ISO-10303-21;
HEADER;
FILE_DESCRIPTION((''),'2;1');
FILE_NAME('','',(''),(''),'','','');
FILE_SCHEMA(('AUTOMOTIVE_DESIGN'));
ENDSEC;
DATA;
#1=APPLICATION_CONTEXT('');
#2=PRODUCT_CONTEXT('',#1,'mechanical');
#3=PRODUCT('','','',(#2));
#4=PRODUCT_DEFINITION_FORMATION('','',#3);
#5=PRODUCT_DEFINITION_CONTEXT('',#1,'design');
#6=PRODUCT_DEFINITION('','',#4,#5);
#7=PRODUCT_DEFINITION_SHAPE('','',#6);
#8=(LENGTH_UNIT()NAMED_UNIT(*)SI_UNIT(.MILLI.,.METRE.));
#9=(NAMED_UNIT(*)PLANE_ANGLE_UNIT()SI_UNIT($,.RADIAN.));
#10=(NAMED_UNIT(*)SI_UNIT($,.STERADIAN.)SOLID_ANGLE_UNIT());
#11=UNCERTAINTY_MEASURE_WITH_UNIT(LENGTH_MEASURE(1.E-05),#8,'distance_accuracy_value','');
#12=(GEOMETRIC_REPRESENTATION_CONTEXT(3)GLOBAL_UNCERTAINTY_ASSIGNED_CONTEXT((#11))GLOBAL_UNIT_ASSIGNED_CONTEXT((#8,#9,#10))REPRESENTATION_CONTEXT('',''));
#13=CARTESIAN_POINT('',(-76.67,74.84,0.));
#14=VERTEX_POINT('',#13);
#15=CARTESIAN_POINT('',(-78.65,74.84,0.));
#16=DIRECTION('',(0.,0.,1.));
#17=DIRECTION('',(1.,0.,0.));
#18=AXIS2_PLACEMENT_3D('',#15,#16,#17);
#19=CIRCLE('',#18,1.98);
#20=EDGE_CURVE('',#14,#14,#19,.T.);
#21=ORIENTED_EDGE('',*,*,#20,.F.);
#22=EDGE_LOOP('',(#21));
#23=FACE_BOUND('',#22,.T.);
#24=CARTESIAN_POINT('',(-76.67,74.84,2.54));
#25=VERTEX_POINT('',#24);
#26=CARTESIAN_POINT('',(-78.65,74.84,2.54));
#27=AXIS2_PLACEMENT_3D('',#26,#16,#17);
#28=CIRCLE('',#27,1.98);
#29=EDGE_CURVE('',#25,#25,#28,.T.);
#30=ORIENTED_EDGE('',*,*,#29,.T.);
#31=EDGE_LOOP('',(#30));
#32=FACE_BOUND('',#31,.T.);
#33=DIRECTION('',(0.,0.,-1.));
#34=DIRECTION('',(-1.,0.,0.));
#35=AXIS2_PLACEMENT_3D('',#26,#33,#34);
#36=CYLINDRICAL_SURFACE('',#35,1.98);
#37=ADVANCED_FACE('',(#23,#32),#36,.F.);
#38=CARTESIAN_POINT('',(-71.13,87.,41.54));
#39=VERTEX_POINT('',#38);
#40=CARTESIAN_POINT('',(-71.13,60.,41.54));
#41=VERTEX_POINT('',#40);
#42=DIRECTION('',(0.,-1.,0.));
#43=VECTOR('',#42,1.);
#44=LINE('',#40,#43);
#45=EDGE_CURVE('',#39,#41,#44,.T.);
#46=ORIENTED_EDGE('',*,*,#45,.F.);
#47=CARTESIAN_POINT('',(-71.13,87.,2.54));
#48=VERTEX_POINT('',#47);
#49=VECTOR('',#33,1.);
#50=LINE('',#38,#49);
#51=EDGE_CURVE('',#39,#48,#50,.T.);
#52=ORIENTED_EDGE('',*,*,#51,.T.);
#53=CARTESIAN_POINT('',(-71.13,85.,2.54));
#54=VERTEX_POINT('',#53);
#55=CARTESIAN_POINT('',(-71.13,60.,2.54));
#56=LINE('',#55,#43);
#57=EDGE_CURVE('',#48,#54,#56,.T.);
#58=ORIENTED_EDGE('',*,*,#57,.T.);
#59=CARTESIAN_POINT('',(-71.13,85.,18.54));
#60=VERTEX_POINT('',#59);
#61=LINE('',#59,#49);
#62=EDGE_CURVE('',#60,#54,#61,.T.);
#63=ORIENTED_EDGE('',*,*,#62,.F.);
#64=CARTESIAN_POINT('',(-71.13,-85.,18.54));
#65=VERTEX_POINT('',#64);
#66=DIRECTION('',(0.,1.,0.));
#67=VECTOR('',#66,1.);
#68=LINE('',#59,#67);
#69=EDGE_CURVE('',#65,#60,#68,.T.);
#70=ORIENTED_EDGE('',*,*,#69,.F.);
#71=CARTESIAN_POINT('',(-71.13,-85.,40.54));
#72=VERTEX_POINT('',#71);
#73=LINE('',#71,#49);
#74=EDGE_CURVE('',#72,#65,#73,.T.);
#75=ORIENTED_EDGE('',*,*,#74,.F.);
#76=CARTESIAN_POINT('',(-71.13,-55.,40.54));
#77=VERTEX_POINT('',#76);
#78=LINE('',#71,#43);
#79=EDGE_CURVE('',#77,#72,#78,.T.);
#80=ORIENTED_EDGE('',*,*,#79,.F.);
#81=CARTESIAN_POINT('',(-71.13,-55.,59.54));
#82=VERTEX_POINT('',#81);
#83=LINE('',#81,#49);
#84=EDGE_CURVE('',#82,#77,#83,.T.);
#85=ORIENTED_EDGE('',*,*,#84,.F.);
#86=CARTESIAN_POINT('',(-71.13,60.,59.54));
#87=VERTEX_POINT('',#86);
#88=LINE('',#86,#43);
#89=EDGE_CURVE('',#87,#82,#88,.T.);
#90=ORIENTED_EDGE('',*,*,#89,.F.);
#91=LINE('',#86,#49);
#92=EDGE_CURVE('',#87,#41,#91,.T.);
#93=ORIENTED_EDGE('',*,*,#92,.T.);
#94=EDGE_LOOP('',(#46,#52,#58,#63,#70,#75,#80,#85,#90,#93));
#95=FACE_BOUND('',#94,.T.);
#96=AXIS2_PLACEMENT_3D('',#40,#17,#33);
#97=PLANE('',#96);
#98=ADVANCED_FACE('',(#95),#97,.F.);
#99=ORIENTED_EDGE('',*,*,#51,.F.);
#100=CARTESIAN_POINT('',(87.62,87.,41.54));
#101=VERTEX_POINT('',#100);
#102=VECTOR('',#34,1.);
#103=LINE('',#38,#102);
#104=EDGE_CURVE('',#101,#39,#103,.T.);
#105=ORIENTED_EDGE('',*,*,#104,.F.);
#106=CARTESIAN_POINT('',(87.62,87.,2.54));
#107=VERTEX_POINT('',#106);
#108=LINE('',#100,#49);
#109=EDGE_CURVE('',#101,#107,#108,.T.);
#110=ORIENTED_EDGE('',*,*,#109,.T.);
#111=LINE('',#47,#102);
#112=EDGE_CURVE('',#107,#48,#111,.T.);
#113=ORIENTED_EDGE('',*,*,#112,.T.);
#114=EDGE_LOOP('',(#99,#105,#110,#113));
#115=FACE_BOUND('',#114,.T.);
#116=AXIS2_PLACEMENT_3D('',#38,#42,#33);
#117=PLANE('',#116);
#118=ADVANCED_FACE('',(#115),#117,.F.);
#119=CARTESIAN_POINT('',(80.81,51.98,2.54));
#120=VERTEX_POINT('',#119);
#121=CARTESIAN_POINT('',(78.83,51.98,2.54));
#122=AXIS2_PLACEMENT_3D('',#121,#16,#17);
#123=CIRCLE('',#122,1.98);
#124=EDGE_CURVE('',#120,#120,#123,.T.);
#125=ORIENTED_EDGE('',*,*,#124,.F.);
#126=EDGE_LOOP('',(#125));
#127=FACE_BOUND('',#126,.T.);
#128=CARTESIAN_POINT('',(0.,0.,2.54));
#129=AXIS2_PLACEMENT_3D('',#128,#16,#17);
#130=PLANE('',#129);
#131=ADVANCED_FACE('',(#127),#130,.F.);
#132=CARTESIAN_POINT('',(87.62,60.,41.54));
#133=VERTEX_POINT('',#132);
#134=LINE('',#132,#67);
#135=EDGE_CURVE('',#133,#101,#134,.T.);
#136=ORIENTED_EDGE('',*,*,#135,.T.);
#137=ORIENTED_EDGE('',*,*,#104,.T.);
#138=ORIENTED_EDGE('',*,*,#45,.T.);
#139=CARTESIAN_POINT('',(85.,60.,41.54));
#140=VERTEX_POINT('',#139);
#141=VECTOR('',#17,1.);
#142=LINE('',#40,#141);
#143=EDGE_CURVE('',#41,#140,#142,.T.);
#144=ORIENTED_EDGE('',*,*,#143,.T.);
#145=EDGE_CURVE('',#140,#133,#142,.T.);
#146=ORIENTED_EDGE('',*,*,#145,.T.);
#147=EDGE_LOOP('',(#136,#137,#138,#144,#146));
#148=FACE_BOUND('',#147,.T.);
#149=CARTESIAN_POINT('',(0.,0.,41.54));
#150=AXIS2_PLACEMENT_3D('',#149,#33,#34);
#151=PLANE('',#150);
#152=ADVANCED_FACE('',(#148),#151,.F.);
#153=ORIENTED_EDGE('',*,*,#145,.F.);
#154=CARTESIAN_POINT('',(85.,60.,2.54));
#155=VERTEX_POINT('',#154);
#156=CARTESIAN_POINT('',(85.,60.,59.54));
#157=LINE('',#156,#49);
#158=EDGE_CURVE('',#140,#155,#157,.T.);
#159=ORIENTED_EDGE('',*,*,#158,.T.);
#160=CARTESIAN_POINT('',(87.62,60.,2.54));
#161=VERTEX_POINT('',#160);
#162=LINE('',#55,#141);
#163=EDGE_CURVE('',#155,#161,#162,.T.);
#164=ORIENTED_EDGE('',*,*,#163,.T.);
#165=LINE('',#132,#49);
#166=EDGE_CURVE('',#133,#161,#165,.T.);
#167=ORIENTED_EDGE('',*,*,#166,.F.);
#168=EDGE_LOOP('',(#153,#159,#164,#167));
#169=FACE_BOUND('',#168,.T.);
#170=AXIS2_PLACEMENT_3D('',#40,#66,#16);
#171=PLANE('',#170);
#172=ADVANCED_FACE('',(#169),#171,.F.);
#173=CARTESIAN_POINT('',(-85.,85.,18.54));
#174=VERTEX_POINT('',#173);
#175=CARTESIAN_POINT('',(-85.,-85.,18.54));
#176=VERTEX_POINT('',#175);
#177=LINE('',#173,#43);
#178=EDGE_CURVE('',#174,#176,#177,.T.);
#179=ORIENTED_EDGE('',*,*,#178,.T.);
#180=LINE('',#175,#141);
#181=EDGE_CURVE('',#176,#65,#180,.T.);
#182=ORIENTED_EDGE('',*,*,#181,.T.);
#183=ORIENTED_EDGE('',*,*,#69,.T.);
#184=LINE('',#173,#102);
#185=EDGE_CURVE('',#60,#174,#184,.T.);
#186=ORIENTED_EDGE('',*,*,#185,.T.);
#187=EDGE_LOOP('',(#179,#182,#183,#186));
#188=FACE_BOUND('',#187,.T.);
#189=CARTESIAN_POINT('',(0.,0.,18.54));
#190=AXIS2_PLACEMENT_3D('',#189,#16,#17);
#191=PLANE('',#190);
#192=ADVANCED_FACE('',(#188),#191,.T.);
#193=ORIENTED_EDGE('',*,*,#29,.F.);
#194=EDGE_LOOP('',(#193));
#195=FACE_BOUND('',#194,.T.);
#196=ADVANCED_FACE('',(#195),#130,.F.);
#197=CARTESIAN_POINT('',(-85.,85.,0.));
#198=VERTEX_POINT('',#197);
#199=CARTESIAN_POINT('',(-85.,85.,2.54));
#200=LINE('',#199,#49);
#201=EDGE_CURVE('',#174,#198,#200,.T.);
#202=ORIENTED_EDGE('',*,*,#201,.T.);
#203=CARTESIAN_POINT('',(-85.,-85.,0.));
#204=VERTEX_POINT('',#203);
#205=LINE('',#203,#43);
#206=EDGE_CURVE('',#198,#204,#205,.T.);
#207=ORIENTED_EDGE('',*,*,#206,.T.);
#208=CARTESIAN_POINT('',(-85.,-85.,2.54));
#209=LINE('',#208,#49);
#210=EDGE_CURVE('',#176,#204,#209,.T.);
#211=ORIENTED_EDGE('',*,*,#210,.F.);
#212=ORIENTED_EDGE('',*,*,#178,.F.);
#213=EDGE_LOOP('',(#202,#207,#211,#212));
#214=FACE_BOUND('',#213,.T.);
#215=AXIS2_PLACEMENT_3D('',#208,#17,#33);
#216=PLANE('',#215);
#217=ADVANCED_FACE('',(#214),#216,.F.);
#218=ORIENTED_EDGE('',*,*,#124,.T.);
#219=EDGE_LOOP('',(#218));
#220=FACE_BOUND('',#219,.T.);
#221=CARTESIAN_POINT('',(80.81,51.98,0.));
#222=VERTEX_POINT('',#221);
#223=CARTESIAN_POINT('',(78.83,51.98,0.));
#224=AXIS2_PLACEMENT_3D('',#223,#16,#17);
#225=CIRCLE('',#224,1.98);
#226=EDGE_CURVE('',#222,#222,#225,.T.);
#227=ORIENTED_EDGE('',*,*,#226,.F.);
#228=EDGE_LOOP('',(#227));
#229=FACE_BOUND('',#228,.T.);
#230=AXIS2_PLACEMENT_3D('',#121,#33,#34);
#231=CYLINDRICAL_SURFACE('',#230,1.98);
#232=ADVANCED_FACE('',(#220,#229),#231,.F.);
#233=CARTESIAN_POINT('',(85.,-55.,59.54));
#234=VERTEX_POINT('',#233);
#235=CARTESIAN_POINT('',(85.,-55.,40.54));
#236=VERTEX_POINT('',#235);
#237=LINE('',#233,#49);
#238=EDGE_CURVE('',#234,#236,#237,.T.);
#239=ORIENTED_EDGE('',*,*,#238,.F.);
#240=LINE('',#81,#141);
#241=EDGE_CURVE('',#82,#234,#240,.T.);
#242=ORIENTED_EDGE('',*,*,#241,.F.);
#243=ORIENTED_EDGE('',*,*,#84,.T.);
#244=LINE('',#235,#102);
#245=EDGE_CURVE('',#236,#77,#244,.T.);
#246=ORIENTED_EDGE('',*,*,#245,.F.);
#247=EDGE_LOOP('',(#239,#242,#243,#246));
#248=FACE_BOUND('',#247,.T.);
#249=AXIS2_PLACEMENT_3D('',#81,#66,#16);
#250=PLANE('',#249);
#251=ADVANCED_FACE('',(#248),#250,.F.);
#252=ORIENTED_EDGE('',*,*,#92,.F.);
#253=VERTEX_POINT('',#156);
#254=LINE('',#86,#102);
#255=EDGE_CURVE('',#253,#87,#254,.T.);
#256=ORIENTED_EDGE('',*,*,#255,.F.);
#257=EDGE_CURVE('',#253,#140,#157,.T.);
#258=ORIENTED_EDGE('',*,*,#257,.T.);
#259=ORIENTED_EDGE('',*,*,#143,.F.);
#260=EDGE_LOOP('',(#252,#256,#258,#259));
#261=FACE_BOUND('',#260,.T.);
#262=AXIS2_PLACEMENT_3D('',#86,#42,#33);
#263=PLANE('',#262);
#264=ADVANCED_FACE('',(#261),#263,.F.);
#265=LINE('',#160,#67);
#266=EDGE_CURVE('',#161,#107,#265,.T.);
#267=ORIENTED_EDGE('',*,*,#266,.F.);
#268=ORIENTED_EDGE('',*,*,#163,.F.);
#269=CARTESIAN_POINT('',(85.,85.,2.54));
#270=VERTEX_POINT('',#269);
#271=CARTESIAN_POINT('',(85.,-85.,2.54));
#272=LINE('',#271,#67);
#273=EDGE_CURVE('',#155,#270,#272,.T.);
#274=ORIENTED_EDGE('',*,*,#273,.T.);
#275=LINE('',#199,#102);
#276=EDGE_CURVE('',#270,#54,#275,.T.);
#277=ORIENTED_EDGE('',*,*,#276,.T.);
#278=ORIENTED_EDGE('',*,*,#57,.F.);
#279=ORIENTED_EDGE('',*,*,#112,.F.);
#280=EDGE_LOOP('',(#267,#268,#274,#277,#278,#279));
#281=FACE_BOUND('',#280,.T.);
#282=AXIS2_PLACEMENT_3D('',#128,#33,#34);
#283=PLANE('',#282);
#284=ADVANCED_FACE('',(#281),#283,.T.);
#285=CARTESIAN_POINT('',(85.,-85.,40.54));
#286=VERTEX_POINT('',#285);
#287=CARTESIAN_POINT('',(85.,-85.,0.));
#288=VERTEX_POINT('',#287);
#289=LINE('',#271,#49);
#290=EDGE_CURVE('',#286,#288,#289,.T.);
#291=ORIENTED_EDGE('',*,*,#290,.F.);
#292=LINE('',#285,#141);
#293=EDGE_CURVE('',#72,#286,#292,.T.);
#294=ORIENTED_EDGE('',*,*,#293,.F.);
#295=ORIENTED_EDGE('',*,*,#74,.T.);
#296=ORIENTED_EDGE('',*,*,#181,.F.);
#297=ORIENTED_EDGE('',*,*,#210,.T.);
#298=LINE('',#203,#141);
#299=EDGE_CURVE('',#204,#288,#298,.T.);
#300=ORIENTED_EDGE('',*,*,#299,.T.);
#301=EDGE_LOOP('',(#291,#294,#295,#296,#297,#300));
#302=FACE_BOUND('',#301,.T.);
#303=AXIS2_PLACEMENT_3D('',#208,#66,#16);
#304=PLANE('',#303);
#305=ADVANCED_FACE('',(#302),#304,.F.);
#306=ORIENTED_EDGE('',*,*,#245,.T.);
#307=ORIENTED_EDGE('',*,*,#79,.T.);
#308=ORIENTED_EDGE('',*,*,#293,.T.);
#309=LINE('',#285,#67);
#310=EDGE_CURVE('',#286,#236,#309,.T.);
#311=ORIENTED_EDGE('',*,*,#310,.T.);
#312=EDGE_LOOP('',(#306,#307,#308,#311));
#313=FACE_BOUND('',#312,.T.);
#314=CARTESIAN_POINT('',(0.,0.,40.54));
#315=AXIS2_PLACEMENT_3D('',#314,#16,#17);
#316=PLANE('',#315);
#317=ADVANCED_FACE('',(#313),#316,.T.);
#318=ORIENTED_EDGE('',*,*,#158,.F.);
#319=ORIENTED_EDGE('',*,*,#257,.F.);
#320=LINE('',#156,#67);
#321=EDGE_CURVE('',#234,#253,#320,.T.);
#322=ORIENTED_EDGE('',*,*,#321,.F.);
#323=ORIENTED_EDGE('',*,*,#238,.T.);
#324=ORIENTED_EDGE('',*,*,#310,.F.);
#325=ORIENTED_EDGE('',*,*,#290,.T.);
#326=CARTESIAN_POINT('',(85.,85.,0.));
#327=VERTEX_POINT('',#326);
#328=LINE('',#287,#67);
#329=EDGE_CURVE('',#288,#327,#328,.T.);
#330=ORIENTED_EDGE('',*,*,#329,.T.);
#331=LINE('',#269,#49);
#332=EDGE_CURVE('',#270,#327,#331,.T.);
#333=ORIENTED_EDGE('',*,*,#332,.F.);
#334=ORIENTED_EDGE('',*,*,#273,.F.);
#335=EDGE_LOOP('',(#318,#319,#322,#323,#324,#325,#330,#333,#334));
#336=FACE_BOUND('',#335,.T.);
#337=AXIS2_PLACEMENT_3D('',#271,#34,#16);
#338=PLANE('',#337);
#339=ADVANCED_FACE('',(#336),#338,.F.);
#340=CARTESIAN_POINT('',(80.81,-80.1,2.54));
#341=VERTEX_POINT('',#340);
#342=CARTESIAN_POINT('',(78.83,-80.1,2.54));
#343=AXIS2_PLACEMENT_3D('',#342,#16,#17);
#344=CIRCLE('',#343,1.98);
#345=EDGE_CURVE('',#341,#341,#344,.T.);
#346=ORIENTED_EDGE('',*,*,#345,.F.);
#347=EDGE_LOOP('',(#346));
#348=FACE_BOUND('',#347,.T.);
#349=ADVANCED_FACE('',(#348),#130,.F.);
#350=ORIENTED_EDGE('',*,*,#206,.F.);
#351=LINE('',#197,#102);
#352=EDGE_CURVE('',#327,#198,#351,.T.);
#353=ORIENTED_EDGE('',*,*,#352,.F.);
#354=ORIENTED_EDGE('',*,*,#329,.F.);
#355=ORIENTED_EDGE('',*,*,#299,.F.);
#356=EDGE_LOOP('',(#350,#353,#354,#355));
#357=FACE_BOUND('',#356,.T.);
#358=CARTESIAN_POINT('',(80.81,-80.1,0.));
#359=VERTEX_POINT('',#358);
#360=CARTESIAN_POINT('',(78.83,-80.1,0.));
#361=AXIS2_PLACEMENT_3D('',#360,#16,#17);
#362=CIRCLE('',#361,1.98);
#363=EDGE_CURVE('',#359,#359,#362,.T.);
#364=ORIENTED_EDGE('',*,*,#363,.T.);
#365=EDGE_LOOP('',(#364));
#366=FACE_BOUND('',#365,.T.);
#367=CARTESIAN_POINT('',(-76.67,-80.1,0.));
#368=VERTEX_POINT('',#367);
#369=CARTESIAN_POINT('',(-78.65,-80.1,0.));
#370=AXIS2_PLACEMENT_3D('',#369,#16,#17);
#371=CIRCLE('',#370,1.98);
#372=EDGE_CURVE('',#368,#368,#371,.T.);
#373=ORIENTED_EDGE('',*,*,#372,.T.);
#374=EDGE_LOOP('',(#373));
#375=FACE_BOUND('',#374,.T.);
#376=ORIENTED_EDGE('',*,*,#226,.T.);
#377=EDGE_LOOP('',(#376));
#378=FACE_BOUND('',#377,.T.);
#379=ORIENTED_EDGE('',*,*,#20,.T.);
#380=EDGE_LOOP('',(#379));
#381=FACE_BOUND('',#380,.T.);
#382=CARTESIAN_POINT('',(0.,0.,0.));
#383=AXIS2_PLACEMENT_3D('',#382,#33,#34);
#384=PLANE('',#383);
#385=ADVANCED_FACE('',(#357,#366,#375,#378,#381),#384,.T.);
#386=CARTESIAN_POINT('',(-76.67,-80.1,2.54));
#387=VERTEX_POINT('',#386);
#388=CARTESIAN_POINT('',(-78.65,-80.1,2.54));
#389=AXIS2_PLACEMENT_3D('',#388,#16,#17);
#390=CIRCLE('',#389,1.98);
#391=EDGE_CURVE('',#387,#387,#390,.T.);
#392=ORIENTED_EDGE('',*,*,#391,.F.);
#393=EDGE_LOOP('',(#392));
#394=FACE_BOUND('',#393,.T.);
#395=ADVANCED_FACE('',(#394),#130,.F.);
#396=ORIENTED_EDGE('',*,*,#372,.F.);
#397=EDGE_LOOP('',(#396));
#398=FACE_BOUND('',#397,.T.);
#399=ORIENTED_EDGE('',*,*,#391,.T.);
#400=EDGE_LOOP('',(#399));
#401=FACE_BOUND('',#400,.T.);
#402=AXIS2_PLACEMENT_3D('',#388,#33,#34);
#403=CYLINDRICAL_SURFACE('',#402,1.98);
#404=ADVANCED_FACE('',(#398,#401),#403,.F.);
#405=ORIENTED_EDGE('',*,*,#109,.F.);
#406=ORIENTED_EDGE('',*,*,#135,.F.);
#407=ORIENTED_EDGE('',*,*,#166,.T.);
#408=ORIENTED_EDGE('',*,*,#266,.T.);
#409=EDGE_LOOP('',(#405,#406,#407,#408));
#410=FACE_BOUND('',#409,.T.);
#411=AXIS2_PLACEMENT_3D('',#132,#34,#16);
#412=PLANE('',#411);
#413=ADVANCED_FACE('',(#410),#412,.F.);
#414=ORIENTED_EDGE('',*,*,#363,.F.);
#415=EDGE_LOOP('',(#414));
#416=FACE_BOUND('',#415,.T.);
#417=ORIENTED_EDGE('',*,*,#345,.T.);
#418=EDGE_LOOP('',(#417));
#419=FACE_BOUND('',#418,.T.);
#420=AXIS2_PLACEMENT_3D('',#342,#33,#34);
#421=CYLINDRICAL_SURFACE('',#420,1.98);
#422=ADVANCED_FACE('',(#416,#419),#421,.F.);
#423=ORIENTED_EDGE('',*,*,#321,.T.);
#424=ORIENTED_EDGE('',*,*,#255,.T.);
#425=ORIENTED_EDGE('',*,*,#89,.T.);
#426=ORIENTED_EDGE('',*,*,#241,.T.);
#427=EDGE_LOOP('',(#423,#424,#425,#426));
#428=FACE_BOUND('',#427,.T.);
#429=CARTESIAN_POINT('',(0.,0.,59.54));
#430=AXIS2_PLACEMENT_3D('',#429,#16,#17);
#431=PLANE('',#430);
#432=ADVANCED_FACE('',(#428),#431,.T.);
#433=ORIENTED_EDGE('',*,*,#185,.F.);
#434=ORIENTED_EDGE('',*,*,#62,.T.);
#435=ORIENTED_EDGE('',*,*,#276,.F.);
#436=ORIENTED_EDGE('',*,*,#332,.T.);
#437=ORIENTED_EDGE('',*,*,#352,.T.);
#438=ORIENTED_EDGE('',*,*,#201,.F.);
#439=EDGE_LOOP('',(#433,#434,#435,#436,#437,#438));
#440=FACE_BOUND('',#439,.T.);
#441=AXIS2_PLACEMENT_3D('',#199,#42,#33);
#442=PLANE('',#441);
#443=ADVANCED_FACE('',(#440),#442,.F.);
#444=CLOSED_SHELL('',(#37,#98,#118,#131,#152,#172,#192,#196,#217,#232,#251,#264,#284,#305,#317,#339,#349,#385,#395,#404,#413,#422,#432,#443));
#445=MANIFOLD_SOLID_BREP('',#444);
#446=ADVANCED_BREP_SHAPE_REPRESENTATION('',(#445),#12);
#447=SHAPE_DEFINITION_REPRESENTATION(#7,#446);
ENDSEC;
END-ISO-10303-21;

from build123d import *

# Parameters (mm, degrees)
SKETCH1_W           = 170
SKETCH1_H           = 170
SKETCH1_R           = 1.98
BOSS_EXTRUDE1_DEPTH = 2.54
SKETCH2_W           = 158.75
SKETCH2_H           = 27
BOSS_EXTRUDE2_DEPTH = 39
SKETCH4_W           = 13.87
SKETCH4_H           = 170
BOSS_EXTRUDE3_DEPTH = 16
SKETCH6_W           = 156.13
SKETCH6_H           = 30
BOSS_EXTRUDE4_DEPTH = 38
SKETCH5_W           = 156.13
SKETCH5_H           = 115
BOSS_EXTRUDE5_DEPTH = 57


with BuildPart() as part:
    # Sketch1 → Boss-Extrude1 (new body)
    with BuildSketch(Plane.XY):
        Rectangle(SKETCH1_W, SKETCH1_H)
        with Locations((-78.65, 74.84)):
            Circle(SKETCH1_R, mode=Mode.SUBTRACT)
        with Locations((78.83, 51.98)):
            Circle(SKETCH1_R, mode=Mode.SUBTRACT)
        with Locations((-78.65, -80.1)):
            Circle(SKETCH1_R, mode=Mode.SUBTRACT)
        with Locations((78.83, -80.1)):
            Circle(SKETCH1_R, mode=Mode.SUBTRACT)
    extrude(amount=BOSS_EXTRUDE1_DEPTH)

    # Sketch2 → Boss-Extrude2 (add)
    with BuildSketch(Plane.XY.offset(2.54)):
        with Locations((8.245, 73.5)):
            Rectangle(SKETCH2_W, SKETCH2_H)
    extrude(amount=BOSS_EXTRUDE2_DEPTH)

    # Sketch4 → Boss-Extrude3 (add)
    with BuildSketch(Plane.XY.offset(2.54)):
        with Locations((-78.065, 0)):
            Rectangle(SKETCH4_W, SKETCH4_H)
    extrude(amount=BOSS_EXTRUDE3_DEPTH)

    # Sketch6 → Boss-Extrude4 (add)
    with BuildSketch(Plane.XY.offset(2.54)):
        with Locations((6.935, -70)):
            Rectangle(SKETCH6_W, SKETCH6_H)
    extrude(amount=BOSS_EXTRUDE4_DEPTH)

    # Sketch5 → Boss-Extrude5 (add)
    with BuildSketch(Plane.XY.offset(2.54)):
        with Locations((6.935, 2.5)):
            Rectangle(SKETCH5_W, SKETCH5_H)
    extrude(amount=BOSS_EXTRUDE5_DEPTH)


solid = part.part
